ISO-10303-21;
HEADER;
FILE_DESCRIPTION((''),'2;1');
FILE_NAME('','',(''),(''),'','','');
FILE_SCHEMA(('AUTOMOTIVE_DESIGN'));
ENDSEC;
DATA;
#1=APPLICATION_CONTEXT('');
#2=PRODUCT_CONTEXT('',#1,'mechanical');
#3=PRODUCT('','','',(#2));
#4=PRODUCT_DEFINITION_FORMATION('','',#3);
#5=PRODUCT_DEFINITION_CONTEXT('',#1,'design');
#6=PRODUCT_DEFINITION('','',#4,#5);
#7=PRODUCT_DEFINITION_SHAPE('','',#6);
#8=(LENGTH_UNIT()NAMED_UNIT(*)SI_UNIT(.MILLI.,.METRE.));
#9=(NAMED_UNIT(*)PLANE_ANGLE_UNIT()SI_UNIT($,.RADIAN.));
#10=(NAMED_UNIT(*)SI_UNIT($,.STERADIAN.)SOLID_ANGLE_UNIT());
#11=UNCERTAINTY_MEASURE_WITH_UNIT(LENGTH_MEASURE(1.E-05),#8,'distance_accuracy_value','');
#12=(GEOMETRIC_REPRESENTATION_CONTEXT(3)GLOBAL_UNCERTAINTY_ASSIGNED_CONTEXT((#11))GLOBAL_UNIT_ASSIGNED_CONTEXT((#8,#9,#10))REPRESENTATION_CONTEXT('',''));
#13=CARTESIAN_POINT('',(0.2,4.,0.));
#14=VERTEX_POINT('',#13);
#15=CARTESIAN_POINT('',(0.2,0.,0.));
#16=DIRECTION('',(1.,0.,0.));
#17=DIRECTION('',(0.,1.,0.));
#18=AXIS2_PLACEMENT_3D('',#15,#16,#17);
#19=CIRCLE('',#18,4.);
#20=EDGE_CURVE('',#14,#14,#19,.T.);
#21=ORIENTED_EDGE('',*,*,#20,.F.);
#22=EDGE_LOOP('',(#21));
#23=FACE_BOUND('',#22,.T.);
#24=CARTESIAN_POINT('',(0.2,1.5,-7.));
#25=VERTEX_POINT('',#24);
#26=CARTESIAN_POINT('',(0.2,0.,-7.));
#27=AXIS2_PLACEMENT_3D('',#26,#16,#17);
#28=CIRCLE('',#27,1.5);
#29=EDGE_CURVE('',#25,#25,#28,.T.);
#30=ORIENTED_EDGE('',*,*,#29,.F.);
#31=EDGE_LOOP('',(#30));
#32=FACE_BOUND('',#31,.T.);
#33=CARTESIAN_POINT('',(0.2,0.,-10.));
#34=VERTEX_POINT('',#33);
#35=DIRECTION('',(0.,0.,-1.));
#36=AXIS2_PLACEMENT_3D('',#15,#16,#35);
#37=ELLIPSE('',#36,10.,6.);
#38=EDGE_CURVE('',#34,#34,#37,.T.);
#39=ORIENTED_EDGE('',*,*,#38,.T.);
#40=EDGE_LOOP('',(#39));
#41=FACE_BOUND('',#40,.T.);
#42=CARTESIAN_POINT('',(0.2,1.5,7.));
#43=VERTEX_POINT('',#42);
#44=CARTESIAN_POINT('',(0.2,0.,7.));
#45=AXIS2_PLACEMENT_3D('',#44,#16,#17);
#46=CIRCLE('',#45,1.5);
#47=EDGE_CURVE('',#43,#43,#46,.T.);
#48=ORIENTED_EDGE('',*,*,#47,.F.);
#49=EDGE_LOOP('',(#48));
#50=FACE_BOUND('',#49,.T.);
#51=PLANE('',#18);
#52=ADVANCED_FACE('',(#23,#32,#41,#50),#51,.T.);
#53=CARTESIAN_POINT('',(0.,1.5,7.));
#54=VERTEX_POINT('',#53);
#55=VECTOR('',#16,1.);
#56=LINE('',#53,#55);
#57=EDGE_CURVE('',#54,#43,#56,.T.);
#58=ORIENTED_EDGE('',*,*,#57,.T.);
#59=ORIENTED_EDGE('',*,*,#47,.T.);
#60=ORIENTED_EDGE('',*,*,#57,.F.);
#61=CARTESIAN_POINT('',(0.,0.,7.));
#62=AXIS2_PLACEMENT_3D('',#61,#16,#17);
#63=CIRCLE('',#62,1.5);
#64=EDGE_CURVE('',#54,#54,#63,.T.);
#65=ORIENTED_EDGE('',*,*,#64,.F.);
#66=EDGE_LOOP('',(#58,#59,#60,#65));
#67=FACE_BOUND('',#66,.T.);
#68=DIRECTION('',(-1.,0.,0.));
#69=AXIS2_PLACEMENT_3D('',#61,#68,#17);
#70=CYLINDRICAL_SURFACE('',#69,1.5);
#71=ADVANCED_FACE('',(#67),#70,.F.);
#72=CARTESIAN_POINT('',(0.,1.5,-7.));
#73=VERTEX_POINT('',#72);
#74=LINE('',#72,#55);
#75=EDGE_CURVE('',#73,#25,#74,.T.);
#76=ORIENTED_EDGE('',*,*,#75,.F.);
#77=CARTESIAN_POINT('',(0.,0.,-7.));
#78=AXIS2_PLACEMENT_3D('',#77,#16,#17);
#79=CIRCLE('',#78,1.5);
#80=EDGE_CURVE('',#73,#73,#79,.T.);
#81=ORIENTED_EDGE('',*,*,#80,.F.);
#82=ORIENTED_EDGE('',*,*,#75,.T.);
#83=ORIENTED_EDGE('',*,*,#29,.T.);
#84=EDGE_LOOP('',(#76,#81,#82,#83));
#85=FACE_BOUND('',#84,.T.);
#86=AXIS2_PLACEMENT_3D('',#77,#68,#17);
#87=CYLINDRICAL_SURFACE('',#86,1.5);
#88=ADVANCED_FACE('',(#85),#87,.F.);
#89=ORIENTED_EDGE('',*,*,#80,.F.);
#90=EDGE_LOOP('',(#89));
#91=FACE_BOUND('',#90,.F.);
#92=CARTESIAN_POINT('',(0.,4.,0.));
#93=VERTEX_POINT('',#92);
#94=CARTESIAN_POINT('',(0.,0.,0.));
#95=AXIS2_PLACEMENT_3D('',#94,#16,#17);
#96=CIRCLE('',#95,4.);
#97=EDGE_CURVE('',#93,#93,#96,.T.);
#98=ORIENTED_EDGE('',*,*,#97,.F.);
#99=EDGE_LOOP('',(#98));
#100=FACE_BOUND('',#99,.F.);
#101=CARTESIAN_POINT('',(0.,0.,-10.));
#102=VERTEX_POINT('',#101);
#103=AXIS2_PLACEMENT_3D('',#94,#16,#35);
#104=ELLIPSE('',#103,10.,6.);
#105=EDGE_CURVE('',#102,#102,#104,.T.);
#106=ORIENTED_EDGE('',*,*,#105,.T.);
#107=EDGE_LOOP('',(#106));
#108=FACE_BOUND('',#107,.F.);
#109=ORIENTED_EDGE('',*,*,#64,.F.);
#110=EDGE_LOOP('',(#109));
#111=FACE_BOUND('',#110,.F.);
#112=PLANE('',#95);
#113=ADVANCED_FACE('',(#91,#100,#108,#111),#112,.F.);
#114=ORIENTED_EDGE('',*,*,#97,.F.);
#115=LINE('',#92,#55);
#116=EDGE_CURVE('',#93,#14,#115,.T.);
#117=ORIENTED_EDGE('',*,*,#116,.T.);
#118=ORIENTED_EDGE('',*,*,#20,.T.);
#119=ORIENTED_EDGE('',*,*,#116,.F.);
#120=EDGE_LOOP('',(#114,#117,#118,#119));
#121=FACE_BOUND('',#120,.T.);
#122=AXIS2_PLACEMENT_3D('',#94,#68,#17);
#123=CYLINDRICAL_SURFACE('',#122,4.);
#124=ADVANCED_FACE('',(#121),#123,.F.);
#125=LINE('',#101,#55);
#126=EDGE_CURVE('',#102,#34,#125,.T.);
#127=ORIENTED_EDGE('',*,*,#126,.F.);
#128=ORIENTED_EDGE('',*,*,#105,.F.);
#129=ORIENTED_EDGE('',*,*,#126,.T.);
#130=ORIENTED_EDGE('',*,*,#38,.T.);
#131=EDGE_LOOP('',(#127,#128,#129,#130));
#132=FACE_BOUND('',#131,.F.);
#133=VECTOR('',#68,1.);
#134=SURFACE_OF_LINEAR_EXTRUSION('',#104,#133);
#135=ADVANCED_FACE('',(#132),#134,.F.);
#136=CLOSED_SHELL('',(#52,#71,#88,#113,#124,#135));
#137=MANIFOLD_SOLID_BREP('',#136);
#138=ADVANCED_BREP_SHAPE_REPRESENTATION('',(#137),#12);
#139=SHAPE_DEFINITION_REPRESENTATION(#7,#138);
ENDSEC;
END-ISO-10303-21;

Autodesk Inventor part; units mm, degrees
ref_plane "YZ Plane" through (0, 0, 0) normal (1, 0, 0) x (0, 1, 0)
ref_plane "XZ Plane" through (0, 0, 0) normal (0, 1, 0) x (-1, 0, 0)
ref_plane "XY Plane" through (0, 0, 0) normal (0, 0, 1) x (1, 0, 0)
sketch "Sketch1" plane through (0, 0, 0) normal (1, 0, 0) x (0, 1, 0)
  ellipse E0 centre (0, 0) end of major axis (0, -10) minor radius 6
  circle A0 centre (0, 7) radius 1.5
  circle A1 centre (0, -7) radius 1.5
  circle A2 centre (0, 0) radius 4
  line L0 (6, 0) -> (-6, 0) construction
  line L1 (0, 10) -> (0, -10) construction
  point P0 (0, 0)
  dimension "d0" = 3
  dimension "d1" = 8
  dimension "d3" = 7
  dimension "d4" = 7
  dimension "d5" = 20
  dimension "d6" = 12
extrude "Extrusion1" add sketch "Sketch1" along normal blind 0.2
equation "\"d4\" = d3"
properties part number "Component 29 (Flange Seal)"
